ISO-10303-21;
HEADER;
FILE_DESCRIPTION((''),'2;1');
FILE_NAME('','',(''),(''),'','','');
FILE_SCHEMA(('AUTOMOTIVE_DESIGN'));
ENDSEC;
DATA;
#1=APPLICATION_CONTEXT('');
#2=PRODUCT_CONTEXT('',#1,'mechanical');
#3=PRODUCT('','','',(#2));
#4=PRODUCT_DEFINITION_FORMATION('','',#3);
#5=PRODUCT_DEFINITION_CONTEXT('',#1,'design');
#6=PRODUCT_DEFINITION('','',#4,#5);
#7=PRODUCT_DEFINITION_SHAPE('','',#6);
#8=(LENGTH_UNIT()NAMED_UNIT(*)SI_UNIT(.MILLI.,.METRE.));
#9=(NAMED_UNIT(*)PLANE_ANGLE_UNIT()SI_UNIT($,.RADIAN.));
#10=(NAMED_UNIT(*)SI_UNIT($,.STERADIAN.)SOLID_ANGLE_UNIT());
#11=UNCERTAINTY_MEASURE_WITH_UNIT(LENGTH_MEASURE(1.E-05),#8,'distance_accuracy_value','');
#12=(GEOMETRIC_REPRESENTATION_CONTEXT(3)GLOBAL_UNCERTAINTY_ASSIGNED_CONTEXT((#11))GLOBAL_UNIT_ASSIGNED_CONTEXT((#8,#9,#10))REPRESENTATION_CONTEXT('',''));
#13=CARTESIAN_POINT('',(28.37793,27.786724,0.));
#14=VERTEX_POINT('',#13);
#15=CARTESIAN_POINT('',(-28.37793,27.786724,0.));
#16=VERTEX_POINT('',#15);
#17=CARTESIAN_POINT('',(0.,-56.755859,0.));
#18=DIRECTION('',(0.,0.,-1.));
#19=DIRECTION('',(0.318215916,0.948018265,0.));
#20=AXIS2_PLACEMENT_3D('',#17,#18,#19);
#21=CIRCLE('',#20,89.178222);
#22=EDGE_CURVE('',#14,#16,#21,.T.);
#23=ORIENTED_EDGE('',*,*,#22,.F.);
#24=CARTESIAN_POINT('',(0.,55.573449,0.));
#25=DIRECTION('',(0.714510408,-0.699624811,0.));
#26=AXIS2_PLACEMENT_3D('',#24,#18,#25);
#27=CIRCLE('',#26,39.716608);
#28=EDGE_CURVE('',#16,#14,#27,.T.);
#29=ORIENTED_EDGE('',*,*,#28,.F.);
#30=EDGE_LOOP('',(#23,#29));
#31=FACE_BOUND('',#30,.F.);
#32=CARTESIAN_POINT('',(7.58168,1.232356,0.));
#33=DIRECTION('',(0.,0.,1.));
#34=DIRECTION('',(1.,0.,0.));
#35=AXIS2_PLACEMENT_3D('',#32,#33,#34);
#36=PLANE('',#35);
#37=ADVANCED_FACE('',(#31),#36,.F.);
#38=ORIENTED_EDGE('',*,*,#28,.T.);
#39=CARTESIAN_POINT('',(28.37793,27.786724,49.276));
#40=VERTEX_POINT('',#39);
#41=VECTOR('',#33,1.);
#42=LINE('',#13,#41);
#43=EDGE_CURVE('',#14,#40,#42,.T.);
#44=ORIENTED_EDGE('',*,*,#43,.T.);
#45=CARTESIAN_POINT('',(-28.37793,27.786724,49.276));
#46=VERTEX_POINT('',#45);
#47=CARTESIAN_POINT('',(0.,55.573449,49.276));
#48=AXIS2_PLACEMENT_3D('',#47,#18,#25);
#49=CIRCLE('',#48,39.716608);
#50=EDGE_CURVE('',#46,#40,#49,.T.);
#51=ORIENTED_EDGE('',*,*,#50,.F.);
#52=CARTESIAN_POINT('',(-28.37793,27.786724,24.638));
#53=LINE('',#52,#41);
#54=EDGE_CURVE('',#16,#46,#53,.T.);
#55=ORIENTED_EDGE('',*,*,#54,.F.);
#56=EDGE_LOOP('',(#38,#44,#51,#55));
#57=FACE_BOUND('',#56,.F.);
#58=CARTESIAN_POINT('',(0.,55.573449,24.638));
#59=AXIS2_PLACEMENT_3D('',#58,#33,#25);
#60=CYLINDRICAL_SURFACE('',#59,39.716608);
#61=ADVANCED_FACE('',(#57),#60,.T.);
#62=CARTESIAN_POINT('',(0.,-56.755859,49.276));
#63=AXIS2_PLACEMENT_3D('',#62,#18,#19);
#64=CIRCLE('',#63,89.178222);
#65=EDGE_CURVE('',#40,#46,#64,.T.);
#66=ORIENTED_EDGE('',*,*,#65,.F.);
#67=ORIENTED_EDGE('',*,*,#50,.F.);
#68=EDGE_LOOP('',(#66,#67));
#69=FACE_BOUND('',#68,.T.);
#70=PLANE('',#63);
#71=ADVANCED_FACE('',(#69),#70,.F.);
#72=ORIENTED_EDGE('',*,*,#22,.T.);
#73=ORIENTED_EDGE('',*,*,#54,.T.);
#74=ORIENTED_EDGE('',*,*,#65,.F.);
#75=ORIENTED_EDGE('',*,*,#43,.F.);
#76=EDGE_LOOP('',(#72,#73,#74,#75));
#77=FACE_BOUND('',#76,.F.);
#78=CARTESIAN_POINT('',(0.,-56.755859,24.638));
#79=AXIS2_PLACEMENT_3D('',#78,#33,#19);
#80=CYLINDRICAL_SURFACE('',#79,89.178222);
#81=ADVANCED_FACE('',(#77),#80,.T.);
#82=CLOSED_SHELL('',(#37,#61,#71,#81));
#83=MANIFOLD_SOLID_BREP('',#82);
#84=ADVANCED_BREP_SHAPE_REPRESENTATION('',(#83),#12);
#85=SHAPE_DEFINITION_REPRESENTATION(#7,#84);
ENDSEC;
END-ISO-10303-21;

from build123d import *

# Parameters (mm, degrees)
F1_DEPTH   = 49.276
F1_FACE_W  = 39.7166078589
F1_FACE_H  = 49.276
F1_FACE1_W = 89.1782223892
F1_FACE1_H = 49.276


with BuildPart() as f1:
    # F0 (on Top) → F1 (new body)
    with BuildSketch(Plane.XY):
        Polygon((28.3779297024, 27.7867242694), (0, 55.5734485388), (0, -56.7558594048), align=None)
    extrude(amount=F1_DEPTH)

    # F1_face (on face) → F2 (revolve)
    with BuildSketch(Plane(origin=(14.1889648512, 41.6800864041, 24.638), x_dir=(-0.7145104084, 0.6996248111, 0), z_dir=(0.6996248111, 0.7145104084, 0))):
        Rectangle(F1_FACE_W, F1_FACE_H)
    revolve(axis=Axis((0, 55.5734485388, 24.638), (0, 0, -1)))

    # F1_face1 (on face) → F3 (revolve)
    with BuildSketch(Plane(origin=(14.1889648512, -14.4845675677, 24.638), x_dir=(0.3182159157, 0.9480182651, 0), z_dir=(0.9480182651, -0.3182159157, 0))):
        Rectangle(F1_FACE1_W, F1_FACE1_H)
    revolve(axis=Axis((0, -56.7558594048, 24.638), (0, 0, -1)))


solid = f1.part
